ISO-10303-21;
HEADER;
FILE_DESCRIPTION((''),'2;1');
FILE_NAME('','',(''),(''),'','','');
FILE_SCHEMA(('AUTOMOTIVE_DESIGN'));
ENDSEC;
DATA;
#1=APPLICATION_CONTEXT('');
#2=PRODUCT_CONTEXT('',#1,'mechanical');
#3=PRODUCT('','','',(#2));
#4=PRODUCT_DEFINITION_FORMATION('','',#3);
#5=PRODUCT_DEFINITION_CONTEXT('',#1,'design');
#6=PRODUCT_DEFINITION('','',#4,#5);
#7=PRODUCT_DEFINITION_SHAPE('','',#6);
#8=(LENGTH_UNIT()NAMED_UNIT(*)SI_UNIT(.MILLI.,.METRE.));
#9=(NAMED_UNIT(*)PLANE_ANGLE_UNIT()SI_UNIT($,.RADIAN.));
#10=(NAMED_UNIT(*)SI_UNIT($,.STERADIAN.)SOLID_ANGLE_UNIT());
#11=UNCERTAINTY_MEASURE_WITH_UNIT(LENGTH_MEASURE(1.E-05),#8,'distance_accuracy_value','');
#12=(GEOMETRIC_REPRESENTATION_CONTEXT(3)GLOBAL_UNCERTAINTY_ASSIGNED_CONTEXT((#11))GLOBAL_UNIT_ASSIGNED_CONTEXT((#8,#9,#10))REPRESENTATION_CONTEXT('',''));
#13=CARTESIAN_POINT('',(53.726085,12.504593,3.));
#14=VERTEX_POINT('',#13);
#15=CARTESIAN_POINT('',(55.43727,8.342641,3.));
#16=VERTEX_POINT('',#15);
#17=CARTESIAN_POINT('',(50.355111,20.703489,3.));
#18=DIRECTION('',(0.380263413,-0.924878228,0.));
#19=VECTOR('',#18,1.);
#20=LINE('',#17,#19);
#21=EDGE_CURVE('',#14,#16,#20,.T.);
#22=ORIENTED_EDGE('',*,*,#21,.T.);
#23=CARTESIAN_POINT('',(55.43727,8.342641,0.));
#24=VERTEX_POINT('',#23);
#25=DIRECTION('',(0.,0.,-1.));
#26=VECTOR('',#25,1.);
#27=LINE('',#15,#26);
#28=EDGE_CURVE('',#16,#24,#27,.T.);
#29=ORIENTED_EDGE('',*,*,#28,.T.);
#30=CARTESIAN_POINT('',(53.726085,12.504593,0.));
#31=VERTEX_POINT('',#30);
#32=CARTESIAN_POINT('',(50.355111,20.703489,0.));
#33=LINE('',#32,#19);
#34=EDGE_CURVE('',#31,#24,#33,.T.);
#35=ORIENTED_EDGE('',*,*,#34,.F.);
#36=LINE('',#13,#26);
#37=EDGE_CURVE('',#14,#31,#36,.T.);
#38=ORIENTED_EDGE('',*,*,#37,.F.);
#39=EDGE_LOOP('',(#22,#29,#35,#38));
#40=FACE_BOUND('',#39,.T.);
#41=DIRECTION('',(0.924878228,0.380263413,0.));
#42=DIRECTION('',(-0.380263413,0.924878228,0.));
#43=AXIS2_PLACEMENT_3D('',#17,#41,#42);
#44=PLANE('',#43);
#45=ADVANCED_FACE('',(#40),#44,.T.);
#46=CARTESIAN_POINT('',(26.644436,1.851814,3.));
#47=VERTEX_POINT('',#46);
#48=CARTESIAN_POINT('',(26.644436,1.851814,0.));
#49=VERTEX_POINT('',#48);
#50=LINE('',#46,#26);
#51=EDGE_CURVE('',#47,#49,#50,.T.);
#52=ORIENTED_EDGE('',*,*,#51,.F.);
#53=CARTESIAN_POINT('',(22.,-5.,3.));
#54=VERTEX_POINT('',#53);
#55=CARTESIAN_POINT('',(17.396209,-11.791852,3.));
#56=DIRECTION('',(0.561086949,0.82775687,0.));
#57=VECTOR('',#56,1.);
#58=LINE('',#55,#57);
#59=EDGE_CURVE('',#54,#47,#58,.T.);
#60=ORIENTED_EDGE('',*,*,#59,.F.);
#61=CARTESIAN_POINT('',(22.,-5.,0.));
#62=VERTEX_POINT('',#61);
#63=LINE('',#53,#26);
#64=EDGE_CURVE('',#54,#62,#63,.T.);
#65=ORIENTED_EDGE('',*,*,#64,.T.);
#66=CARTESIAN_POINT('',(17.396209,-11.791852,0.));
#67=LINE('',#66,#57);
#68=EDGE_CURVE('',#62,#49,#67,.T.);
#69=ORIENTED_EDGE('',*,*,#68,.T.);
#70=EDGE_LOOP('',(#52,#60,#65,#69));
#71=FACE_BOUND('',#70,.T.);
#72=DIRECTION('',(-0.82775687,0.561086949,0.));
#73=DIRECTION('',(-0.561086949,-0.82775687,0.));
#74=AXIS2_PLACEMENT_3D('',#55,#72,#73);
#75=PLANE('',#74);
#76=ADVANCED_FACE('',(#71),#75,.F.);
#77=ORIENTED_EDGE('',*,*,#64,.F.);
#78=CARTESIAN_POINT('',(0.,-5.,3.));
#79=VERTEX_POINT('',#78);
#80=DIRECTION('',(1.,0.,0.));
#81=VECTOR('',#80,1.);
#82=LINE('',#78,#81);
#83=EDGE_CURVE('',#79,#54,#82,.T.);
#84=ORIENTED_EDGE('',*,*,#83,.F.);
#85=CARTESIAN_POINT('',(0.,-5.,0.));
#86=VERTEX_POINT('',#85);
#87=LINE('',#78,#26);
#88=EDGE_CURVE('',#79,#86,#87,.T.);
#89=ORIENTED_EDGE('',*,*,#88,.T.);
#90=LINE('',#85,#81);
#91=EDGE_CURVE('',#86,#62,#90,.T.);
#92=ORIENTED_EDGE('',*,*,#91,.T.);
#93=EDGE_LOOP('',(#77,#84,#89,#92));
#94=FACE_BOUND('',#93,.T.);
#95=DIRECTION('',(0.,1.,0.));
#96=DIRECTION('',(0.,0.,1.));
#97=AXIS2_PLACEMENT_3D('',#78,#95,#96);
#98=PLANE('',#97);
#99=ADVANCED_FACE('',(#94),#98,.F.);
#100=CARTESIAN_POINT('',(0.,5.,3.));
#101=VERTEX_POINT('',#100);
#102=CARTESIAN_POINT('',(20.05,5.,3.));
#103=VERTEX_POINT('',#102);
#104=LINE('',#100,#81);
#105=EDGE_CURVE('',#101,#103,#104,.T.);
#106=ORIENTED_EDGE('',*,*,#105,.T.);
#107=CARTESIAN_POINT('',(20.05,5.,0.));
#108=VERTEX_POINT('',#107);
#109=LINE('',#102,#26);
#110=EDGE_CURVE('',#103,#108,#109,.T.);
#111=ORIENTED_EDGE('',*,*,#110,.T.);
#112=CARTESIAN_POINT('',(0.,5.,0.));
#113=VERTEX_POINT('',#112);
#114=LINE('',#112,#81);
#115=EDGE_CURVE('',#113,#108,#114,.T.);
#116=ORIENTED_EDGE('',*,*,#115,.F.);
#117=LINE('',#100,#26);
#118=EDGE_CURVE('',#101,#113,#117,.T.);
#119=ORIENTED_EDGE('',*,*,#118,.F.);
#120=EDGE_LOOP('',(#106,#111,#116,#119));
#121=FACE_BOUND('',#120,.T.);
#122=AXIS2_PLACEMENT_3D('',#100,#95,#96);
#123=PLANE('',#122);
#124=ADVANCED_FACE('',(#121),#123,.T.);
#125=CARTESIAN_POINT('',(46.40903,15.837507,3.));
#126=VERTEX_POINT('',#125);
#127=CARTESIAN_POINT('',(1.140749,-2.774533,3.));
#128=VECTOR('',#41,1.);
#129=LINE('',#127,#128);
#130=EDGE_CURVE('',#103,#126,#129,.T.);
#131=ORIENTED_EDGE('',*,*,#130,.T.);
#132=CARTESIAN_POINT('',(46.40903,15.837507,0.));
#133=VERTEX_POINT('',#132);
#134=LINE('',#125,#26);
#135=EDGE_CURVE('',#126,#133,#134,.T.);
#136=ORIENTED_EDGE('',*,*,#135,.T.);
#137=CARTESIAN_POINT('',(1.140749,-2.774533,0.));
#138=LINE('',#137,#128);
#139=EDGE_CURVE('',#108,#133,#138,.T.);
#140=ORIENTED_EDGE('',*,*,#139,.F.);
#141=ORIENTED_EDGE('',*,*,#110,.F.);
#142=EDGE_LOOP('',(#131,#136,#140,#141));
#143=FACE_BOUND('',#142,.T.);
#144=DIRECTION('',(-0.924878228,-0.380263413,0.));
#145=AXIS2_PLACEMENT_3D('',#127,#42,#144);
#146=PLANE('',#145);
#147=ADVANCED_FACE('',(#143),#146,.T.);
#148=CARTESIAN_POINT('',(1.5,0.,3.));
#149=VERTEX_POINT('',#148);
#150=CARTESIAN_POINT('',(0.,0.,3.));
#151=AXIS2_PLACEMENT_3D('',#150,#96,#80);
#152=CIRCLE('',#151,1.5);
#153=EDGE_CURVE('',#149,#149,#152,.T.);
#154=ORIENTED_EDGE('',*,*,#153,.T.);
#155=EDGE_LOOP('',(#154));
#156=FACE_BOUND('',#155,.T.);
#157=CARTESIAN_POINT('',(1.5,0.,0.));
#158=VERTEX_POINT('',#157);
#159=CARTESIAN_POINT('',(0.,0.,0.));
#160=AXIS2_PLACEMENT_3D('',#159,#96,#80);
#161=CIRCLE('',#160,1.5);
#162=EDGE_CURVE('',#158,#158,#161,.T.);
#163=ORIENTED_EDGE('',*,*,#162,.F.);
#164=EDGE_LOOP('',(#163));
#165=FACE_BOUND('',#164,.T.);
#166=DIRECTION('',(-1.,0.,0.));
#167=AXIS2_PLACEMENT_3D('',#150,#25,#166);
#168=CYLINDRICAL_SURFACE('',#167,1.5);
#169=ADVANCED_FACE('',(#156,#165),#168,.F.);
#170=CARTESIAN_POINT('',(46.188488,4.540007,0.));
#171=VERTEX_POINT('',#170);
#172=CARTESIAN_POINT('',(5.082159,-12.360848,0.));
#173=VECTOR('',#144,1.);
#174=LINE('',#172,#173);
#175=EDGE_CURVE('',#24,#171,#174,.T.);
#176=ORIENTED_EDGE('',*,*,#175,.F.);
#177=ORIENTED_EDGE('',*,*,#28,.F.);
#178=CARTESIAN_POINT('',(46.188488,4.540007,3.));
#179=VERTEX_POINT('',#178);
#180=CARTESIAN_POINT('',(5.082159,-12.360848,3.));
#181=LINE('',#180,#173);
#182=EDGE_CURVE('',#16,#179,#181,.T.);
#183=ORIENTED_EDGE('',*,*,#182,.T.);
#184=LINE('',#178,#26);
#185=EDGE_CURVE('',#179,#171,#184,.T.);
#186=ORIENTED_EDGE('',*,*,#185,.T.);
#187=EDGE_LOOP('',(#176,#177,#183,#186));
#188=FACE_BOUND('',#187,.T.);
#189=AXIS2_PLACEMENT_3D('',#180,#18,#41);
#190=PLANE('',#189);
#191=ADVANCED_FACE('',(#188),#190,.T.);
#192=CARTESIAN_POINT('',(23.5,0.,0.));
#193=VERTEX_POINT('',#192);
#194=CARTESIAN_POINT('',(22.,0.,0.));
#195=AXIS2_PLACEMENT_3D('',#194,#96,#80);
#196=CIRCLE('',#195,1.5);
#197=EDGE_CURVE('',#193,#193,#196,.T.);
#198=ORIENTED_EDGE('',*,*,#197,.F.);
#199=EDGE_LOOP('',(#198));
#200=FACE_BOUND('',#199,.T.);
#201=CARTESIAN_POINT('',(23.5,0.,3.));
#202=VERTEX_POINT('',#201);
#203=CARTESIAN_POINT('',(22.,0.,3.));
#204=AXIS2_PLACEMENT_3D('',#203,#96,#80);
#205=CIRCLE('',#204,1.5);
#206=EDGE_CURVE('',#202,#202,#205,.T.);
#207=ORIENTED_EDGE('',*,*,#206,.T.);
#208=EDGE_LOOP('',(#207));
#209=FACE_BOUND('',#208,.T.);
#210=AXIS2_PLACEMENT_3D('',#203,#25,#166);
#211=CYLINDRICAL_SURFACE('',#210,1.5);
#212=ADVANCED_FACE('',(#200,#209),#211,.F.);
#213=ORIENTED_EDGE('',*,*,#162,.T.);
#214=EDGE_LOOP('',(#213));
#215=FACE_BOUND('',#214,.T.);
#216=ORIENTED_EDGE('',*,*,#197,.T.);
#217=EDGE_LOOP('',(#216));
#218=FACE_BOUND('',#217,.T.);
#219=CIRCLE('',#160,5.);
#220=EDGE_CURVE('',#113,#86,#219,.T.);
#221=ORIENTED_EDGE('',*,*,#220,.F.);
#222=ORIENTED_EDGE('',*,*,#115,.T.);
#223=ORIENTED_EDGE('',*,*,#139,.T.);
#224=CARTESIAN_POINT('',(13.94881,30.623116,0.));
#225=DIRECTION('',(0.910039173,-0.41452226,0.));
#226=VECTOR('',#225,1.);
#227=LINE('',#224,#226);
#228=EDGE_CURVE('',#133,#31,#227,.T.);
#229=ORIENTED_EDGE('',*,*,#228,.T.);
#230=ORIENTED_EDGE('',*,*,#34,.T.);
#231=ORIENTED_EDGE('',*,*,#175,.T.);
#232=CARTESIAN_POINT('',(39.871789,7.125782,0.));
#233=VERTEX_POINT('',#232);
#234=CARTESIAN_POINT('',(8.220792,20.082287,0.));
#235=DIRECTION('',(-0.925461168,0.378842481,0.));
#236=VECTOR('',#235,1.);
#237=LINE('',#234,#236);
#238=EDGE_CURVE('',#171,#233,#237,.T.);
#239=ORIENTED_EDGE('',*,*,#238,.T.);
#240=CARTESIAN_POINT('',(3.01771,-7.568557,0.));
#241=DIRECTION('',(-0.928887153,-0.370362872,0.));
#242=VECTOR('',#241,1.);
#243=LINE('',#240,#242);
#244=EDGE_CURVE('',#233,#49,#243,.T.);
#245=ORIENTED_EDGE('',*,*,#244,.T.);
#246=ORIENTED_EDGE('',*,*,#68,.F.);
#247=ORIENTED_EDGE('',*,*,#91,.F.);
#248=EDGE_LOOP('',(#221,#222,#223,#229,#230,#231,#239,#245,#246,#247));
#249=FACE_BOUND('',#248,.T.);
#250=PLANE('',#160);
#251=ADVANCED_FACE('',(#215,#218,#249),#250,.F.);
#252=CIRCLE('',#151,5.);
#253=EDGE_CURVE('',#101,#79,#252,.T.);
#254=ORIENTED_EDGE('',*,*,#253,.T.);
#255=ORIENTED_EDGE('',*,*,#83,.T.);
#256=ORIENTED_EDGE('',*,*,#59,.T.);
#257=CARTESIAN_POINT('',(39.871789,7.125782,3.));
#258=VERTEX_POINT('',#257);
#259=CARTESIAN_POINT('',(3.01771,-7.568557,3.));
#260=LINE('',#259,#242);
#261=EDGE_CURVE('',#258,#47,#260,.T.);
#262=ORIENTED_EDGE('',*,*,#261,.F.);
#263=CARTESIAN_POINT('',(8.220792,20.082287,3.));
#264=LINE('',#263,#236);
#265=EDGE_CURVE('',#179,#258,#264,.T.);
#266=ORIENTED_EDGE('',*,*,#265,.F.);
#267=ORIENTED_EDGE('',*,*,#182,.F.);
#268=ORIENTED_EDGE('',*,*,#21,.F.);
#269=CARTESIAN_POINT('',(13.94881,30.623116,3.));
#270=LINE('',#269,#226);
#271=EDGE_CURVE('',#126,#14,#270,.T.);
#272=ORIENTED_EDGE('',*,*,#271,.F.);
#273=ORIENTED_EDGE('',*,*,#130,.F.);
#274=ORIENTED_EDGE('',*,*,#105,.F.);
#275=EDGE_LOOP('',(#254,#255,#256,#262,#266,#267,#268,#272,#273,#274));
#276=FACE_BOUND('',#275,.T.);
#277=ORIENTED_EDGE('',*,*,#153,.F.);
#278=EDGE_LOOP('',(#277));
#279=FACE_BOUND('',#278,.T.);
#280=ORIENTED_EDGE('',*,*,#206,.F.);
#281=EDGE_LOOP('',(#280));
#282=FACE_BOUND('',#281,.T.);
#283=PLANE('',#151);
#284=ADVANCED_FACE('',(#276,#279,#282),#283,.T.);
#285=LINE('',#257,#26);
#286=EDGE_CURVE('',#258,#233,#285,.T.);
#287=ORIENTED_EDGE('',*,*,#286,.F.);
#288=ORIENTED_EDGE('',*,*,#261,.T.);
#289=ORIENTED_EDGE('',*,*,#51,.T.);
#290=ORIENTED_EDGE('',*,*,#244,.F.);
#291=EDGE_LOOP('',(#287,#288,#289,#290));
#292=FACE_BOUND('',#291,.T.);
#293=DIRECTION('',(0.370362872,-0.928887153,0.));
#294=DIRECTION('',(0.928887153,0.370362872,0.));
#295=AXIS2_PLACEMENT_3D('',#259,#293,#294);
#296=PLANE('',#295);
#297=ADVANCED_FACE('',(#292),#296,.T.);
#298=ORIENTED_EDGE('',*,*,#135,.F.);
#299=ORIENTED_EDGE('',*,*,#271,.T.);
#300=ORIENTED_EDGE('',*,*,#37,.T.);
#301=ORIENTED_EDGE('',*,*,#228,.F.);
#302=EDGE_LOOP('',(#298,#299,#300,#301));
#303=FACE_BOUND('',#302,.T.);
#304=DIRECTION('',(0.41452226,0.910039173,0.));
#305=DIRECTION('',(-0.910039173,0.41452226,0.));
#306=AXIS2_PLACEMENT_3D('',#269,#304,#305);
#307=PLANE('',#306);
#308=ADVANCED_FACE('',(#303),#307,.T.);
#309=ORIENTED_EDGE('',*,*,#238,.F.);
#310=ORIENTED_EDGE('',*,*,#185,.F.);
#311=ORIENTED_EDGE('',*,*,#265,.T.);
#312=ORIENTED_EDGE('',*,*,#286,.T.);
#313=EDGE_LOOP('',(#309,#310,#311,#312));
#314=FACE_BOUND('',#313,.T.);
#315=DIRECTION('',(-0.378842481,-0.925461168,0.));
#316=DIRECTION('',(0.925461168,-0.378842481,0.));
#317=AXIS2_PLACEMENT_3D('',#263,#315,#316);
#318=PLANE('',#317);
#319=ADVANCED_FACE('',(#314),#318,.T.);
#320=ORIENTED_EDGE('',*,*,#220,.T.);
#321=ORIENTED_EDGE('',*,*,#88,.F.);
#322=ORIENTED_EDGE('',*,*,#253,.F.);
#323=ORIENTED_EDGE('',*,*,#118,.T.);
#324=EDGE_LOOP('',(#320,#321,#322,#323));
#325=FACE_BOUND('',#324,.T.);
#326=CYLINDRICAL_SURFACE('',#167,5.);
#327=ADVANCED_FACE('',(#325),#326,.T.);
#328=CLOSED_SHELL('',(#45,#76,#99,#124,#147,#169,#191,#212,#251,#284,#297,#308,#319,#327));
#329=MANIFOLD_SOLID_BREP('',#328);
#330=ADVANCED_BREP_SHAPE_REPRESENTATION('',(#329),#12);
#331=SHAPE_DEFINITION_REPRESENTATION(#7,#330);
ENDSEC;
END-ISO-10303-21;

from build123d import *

# Parameters (mm, degrees)
SKETCH_1_R      = 1.5
EXTRUDE_1_DEPTH = 3


with BuildPart() as part:
    # 草图1 → 凸台-拉伸1 (new body)
    with BuildSketch(Plane.XY):
        with BuildLine():
            Line((20.05, 5), (0, 5))
            ThreePointArc((0, 5), (-5, 0), (0, -5))
            Line((0, -5), (22, -5))
            Line((22, -5), (26.644435765, 1.851814361))
            Line((26.644435765, 1.851814361), (39.871788822, 7.125781662))
            Line((39.871788822, 7.125781662), (46.188488025, 4.540007042))
            Line((46.188488025, 4.540007042), (55.437270307, 8.34264117))
            Line((55.437270307, 8.34264117), (53.72608495, 12.504593197))
            Line((53.72608495, 12.504593197), (46.409029503, 15.837507263))
            Line((46.409029503, 15.837507263), (20.05, 5))
        make_face()
        Circle(SKETCH_1_R, mode=Mode.SUBTRACT)
        with Locations((22, 0)):
            Circle(SKETCH_1_R, mode=Mode.SUBTRACT)
    extrude(amount=EXTRUDE_1_DEPTH)


solid = part.part
